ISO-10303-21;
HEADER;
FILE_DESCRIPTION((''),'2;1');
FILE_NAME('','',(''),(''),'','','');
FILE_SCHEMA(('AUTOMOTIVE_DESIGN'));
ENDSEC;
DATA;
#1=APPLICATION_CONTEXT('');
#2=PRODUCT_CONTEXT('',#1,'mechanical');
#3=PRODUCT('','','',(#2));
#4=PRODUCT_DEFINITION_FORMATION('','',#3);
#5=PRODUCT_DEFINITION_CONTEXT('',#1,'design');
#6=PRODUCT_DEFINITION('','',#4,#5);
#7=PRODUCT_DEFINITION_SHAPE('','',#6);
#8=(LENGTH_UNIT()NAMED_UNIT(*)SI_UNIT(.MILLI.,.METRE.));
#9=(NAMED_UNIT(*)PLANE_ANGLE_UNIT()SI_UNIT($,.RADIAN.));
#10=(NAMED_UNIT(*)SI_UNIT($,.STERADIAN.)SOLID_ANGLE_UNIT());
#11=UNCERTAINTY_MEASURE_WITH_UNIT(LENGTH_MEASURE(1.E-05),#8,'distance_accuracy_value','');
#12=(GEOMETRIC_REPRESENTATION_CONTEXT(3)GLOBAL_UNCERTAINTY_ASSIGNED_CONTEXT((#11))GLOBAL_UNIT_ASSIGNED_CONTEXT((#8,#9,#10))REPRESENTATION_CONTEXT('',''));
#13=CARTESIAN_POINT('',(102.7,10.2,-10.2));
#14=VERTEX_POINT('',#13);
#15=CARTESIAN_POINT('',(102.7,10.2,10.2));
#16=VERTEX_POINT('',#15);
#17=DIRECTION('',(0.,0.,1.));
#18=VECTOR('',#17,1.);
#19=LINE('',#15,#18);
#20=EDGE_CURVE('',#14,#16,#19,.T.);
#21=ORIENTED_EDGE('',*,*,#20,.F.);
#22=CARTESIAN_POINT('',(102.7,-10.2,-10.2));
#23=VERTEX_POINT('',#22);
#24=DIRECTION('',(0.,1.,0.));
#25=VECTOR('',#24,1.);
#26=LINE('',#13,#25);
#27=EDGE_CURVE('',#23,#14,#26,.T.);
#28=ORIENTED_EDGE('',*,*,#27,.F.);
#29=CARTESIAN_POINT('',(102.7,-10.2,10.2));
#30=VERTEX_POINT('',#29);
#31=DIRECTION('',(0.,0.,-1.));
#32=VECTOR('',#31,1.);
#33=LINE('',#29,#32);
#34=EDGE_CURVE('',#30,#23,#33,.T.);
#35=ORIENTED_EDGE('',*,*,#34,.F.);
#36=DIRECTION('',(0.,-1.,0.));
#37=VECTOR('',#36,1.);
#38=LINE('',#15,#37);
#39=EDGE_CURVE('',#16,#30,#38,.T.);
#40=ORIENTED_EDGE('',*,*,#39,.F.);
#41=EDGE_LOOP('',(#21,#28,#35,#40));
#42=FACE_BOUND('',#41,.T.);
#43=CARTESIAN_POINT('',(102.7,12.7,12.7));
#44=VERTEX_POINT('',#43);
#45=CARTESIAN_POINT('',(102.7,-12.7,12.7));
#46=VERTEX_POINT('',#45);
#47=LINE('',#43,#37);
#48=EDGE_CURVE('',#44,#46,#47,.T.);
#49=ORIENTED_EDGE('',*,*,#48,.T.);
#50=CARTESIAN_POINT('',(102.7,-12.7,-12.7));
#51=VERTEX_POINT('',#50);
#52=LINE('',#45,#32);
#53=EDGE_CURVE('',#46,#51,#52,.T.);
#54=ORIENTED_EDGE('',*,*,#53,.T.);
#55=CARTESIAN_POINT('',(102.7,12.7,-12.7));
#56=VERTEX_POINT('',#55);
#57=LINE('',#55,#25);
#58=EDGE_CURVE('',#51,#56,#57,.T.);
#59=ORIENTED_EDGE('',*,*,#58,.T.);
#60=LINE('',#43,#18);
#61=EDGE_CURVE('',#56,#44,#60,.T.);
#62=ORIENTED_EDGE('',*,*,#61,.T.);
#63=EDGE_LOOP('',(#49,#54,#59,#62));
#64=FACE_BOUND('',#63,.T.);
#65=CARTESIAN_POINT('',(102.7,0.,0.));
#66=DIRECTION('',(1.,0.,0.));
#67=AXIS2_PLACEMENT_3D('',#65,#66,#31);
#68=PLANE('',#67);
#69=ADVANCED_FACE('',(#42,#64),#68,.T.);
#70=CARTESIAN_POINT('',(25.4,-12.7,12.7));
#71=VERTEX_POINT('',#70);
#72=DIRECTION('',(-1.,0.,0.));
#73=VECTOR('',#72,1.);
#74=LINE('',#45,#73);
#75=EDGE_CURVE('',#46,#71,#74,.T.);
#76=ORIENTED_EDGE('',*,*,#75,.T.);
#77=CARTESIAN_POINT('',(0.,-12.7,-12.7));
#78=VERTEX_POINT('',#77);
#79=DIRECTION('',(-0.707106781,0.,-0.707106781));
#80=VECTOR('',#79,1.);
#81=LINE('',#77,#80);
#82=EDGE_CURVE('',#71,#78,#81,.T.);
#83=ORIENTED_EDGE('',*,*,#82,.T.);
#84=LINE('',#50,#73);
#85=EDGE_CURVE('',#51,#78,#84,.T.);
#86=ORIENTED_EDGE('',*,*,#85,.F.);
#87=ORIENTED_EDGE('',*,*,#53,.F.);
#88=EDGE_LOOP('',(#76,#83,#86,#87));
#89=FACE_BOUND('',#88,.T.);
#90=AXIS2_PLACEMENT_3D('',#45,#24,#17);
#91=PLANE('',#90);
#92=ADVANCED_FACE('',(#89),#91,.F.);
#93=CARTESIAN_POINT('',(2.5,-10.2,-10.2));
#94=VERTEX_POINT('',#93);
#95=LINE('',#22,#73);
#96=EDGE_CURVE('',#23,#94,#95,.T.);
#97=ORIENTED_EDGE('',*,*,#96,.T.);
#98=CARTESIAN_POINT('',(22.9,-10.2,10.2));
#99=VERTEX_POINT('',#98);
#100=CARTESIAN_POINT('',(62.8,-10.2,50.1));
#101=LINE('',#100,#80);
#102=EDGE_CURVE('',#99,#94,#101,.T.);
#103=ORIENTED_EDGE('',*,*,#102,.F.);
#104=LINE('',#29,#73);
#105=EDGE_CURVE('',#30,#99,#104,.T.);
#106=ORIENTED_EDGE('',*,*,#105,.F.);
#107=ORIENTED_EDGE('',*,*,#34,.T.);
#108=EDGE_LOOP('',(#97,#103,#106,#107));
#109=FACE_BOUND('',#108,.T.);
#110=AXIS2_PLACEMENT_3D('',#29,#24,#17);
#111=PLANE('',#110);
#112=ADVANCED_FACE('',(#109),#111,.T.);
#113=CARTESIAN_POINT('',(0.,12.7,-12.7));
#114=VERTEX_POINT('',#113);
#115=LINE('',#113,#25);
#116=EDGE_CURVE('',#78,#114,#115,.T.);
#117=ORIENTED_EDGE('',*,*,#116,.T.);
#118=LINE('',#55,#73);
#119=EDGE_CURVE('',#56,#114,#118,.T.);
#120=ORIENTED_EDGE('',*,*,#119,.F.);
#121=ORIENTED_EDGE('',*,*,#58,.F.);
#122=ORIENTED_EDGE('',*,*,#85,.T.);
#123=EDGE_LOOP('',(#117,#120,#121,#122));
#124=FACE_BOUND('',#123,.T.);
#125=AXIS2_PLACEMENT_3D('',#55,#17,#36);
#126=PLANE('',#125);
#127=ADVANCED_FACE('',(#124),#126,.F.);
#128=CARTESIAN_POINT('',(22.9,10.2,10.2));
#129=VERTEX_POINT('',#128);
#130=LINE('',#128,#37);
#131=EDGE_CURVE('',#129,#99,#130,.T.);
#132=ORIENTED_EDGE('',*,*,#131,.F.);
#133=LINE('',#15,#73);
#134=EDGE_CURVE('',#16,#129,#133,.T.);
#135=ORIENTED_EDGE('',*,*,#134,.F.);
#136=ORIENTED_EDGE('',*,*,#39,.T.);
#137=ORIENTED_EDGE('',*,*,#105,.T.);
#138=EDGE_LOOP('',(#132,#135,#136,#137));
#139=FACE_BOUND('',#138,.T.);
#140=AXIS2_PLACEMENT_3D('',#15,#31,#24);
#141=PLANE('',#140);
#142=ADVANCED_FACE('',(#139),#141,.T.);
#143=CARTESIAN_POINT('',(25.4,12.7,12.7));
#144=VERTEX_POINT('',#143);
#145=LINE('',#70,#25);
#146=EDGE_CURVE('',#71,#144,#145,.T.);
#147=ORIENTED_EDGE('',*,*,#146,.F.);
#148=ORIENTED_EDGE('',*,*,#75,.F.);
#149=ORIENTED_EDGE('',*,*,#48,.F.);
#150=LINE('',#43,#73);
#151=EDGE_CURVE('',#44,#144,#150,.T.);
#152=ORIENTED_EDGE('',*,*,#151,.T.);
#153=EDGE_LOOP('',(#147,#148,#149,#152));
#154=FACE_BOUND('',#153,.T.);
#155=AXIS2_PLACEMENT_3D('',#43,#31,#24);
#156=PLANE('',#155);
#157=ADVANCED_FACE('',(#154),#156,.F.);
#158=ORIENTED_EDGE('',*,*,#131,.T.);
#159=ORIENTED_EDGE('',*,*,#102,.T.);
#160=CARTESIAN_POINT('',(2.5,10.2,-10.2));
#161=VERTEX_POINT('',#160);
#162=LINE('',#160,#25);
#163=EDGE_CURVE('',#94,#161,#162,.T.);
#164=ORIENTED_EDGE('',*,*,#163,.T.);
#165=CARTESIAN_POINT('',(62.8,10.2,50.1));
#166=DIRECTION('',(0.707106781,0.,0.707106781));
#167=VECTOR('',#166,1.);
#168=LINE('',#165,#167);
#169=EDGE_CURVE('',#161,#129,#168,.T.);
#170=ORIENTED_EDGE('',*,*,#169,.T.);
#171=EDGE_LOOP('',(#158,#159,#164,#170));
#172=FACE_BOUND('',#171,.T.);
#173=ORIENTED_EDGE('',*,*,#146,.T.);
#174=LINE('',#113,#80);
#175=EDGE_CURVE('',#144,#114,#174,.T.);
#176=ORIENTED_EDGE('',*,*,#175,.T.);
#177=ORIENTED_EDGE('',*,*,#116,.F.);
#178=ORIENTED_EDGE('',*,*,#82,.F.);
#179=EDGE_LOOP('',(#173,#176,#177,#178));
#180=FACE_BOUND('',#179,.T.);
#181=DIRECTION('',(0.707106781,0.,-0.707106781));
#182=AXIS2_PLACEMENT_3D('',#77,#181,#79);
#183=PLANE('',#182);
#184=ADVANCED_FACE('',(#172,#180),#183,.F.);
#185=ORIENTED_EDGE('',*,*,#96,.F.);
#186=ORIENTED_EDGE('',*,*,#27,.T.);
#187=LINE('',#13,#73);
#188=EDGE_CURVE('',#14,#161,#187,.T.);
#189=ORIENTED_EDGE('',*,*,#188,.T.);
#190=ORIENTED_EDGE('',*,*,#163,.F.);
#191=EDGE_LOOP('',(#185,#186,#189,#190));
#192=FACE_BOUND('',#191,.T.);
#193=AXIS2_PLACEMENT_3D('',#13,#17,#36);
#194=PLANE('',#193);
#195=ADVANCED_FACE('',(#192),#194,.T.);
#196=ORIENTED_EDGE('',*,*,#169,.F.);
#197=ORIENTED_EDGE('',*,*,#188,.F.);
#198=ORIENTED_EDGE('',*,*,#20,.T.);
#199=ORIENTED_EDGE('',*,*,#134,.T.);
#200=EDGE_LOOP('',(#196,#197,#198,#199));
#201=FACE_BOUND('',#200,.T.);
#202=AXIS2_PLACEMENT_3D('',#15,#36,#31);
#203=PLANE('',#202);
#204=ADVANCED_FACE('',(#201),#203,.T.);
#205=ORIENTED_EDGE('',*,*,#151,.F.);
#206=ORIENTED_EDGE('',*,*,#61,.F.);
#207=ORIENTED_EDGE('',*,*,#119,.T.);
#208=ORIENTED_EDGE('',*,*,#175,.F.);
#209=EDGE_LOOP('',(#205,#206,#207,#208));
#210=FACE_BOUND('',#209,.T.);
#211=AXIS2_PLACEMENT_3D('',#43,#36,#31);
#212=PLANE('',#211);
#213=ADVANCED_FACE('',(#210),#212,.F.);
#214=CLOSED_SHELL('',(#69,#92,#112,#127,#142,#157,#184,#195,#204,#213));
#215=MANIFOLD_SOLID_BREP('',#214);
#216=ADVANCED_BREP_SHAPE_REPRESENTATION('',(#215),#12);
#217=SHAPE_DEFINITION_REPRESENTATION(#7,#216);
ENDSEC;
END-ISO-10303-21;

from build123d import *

# Parameters (mm, degrees)
SKETCH2_W           = 25.4
SKETCH2_H           = 25.4
SKETCH2_W_2         = 20.4
SKETCH2_H_2         = 20.4
BOSS_EXTRUDE1_DEPTH = 102.7
CUT_EXTRUDE1_DEPTH  = 107.553930007


with BuildPart() as part:
    # Sketch2 → Boss-Extrude1 (new body)
    with BuildSketch(Plane(origin=(0, 0, 0), x_dir=(0, 0, -1), z_dir=(1, 0, 0))):
        Rectangle(SKETCH2_W, SKETCH2_H)
        Rectangle(SKETCH2_W_2, SKETCH2_H_2, mode=Mode.SUBTRACT)
    extrude(amount=BOSS_EXTRUDE1_DEPTH)

    # Sketch3 → Cut-Extrude1 (cut, through all)
    with BuildSketch(Plane(origin=(0, 12.7, 0), x_dir=(1, 0, 0), z_dir=(0, 1, 0))):
        Polygon((0, -12.7), (0, 12.7), (25.4, -12.7), align=None)
    extrude(amount=-CUT_EXTRUDE1_DEPTH, mode=Mode.SUBTRACT)


solid = part.part
